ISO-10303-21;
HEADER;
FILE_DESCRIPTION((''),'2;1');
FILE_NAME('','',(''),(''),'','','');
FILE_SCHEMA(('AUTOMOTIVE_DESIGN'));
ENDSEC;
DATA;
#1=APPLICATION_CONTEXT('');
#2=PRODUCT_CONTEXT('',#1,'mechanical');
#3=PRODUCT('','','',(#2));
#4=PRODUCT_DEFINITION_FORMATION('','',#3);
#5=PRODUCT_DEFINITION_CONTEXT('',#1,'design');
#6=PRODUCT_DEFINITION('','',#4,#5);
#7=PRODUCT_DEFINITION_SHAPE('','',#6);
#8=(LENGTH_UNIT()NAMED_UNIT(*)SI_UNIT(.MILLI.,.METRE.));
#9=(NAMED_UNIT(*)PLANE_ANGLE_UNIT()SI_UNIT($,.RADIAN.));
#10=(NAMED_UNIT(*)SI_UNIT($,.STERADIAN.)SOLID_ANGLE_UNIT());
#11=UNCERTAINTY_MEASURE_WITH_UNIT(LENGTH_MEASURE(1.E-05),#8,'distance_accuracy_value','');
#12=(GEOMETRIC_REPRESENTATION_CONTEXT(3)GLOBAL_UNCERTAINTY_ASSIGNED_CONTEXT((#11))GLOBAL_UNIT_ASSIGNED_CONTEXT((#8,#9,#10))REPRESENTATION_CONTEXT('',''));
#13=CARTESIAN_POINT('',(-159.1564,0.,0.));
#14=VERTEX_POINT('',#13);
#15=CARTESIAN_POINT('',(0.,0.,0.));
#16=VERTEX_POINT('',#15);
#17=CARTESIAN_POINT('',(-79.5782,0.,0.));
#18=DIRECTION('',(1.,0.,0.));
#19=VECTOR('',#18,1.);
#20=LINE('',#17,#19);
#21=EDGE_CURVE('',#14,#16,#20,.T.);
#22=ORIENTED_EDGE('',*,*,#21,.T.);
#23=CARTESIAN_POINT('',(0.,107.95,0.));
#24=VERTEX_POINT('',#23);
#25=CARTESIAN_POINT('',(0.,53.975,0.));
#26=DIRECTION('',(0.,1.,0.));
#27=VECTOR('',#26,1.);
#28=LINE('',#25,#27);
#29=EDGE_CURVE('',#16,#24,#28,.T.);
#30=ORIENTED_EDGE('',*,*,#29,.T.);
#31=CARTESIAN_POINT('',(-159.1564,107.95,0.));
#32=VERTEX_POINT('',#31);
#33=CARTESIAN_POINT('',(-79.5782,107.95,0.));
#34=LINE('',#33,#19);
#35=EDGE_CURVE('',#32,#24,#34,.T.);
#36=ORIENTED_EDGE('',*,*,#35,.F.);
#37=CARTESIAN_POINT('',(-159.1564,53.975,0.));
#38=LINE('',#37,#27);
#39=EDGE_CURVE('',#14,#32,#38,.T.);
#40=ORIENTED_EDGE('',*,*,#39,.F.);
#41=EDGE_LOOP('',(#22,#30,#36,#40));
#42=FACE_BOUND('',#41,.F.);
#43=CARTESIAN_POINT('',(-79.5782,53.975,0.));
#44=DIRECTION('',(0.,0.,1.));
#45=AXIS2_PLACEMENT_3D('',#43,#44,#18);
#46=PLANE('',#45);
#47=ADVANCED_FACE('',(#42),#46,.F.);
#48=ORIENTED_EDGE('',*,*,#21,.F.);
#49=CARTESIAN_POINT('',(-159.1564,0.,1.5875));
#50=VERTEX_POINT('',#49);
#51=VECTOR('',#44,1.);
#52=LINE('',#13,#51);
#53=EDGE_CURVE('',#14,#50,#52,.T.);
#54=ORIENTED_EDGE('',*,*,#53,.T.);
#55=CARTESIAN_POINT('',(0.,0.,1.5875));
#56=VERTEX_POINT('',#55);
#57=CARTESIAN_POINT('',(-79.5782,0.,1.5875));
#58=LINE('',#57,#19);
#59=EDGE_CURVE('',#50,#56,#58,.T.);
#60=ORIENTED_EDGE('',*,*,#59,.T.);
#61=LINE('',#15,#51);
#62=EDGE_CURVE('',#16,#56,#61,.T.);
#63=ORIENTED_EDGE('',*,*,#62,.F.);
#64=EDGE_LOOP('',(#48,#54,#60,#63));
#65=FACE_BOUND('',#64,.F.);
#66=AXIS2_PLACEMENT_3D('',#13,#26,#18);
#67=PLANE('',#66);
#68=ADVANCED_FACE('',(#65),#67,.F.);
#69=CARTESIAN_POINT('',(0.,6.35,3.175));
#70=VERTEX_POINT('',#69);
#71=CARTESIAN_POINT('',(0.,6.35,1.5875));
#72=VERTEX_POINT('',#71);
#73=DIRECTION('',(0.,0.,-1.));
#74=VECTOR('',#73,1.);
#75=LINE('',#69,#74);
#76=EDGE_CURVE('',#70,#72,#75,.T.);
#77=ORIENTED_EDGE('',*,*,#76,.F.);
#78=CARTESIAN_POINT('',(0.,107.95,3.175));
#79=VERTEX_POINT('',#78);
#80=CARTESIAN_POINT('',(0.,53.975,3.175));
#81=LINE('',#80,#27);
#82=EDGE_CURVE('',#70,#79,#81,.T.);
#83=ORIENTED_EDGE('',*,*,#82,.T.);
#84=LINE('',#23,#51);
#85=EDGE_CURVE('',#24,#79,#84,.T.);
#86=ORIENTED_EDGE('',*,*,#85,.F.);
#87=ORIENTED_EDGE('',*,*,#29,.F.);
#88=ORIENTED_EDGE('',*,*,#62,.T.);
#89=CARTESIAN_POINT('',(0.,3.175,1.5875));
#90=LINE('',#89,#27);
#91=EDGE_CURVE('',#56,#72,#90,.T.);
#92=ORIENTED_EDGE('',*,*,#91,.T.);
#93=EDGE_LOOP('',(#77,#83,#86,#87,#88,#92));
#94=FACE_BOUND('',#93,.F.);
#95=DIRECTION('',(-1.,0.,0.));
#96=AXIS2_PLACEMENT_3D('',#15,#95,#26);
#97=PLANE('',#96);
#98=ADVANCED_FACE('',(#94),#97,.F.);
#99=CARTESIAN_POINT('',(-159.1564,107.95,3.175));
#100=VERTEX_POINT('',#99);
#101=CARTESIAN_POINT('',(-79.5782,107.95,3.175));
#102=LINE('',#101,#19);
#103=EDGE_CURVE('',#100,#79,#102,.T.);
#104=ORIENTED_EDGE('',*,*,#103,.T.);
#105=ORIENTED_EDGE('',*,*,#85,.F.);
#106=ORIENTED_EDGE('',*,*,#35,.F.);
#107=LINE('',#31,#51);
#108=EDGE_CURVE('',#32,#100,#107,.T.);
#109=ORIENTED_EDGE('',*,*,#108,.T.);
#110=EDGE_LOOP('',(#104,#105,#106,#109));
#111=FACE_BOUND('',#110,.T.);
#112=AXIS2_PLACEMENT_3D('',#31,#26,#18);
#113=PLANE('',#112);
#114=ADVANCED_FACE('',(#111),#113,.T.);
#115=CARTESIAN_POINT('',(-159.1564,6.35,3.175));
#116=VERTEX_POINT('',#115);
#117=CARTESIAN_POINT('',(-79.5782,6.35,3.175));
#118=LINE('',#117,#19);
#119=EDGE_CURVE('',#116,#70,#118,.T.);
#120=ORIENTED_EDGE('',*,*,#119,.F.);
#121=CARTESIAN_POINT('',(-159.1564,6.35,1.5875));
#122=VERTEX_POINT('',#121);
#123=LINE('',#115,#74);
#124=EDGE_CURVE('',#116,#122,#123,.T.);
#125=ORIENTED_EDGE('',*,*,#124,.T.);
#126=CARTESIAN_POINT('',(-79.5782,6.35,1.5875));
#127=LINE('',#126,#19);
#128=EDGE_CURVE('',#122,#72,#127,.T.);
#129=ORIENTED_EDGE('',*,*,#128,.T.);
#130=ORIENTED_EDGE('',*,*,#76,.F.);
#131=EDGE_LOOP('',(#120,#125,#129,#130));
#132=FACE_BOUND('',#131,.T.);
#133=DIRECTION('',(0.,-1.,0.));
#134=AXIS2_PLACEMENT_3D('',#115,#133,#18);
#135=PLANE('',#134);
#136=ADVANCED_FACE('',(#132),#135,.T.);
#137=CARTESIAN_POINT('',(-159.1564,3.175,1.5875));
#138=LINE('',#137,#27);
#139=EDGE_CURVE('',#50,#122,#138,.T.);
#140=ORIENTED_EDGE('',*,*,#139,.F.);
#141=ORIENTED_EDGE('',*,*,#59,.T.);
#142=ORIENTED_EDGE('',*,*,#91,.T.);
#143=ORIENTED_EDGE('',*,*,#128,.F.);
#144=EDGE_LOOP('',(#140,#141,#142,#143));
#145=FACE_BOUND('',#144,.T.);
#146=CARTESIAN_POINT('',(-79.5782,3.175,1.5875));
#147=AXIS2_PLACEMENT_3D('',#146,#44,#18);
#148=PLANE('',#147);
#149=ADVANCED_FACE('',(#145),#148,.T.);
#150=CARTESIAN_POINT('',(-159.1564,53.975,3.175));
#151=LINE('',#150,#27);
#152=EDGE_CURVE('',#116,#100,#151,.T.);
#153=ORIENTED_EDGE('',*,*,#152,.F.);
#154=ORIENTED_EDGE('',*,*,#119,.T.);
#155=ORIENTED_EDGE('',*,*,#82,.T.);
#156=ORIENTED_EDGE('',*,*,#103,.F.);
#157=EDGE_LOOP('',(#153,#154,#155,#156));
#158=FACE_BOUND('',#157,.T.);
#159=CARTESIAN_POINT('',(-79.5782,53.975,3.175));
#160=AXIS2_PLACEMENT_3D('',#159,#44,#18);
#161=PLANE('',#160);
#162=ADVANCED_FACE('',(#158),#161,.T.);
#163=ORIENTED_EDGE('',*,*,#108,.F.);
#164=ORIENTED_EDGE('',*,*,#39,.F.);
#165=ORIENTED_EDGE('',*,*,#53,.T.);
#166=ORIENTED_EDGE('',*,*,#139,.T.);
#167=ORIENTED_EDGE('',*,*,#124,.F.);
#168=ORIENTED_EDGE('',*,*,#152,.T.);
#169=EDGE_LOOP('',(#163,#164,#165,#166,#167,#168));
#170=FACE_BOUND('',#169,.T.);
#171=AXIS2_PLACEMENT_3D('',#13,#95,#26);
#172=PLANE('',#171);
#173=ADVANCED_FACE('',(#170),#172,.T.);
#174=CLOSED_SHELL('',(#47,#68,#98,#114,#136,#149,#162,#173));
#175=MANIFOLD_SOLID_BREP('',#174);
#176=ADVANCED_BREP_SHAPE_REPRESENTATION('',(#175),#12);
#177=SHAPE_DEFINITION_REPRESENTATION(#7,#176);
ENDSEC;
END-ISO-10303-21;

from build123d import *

# Parameters (mm, degrees)
SKETCH1_W           = 159.1564
SKETCH1_H           = 107.95
BOSS_EXTRUDE1_DEPTH = 3.175
SKETCH2_W           = 159.1564
SKETCH2_H           = 6.35
CUT_EXTRUDE1_DEPTH  = 1.5875


with BuildPart() as part:
    # Sketch1 → Boss-Extrude1 (new body)
    with BuildSketch(Plane.XY):
        with Locations((-79.5782, 53.975)):
            Rectangle(SKETCH1_W, SKETCH1_H)
    extrude(amount=BOSS_EXTRUDE1_DEPTH)

    # Sketch2 → Cut-Extrude1 (cut)
    with BuildSketch(Plane.XY.offset(3.175)):
        with Locations((-79.5782, 3.175)):
            Rectangle(SKETCH2_W, SKETCH2_H)
    extrude(amount=-CUT_EXTRUDE1_DEPTH, mode=Mode.SUBTRACT)


solid = part.part
